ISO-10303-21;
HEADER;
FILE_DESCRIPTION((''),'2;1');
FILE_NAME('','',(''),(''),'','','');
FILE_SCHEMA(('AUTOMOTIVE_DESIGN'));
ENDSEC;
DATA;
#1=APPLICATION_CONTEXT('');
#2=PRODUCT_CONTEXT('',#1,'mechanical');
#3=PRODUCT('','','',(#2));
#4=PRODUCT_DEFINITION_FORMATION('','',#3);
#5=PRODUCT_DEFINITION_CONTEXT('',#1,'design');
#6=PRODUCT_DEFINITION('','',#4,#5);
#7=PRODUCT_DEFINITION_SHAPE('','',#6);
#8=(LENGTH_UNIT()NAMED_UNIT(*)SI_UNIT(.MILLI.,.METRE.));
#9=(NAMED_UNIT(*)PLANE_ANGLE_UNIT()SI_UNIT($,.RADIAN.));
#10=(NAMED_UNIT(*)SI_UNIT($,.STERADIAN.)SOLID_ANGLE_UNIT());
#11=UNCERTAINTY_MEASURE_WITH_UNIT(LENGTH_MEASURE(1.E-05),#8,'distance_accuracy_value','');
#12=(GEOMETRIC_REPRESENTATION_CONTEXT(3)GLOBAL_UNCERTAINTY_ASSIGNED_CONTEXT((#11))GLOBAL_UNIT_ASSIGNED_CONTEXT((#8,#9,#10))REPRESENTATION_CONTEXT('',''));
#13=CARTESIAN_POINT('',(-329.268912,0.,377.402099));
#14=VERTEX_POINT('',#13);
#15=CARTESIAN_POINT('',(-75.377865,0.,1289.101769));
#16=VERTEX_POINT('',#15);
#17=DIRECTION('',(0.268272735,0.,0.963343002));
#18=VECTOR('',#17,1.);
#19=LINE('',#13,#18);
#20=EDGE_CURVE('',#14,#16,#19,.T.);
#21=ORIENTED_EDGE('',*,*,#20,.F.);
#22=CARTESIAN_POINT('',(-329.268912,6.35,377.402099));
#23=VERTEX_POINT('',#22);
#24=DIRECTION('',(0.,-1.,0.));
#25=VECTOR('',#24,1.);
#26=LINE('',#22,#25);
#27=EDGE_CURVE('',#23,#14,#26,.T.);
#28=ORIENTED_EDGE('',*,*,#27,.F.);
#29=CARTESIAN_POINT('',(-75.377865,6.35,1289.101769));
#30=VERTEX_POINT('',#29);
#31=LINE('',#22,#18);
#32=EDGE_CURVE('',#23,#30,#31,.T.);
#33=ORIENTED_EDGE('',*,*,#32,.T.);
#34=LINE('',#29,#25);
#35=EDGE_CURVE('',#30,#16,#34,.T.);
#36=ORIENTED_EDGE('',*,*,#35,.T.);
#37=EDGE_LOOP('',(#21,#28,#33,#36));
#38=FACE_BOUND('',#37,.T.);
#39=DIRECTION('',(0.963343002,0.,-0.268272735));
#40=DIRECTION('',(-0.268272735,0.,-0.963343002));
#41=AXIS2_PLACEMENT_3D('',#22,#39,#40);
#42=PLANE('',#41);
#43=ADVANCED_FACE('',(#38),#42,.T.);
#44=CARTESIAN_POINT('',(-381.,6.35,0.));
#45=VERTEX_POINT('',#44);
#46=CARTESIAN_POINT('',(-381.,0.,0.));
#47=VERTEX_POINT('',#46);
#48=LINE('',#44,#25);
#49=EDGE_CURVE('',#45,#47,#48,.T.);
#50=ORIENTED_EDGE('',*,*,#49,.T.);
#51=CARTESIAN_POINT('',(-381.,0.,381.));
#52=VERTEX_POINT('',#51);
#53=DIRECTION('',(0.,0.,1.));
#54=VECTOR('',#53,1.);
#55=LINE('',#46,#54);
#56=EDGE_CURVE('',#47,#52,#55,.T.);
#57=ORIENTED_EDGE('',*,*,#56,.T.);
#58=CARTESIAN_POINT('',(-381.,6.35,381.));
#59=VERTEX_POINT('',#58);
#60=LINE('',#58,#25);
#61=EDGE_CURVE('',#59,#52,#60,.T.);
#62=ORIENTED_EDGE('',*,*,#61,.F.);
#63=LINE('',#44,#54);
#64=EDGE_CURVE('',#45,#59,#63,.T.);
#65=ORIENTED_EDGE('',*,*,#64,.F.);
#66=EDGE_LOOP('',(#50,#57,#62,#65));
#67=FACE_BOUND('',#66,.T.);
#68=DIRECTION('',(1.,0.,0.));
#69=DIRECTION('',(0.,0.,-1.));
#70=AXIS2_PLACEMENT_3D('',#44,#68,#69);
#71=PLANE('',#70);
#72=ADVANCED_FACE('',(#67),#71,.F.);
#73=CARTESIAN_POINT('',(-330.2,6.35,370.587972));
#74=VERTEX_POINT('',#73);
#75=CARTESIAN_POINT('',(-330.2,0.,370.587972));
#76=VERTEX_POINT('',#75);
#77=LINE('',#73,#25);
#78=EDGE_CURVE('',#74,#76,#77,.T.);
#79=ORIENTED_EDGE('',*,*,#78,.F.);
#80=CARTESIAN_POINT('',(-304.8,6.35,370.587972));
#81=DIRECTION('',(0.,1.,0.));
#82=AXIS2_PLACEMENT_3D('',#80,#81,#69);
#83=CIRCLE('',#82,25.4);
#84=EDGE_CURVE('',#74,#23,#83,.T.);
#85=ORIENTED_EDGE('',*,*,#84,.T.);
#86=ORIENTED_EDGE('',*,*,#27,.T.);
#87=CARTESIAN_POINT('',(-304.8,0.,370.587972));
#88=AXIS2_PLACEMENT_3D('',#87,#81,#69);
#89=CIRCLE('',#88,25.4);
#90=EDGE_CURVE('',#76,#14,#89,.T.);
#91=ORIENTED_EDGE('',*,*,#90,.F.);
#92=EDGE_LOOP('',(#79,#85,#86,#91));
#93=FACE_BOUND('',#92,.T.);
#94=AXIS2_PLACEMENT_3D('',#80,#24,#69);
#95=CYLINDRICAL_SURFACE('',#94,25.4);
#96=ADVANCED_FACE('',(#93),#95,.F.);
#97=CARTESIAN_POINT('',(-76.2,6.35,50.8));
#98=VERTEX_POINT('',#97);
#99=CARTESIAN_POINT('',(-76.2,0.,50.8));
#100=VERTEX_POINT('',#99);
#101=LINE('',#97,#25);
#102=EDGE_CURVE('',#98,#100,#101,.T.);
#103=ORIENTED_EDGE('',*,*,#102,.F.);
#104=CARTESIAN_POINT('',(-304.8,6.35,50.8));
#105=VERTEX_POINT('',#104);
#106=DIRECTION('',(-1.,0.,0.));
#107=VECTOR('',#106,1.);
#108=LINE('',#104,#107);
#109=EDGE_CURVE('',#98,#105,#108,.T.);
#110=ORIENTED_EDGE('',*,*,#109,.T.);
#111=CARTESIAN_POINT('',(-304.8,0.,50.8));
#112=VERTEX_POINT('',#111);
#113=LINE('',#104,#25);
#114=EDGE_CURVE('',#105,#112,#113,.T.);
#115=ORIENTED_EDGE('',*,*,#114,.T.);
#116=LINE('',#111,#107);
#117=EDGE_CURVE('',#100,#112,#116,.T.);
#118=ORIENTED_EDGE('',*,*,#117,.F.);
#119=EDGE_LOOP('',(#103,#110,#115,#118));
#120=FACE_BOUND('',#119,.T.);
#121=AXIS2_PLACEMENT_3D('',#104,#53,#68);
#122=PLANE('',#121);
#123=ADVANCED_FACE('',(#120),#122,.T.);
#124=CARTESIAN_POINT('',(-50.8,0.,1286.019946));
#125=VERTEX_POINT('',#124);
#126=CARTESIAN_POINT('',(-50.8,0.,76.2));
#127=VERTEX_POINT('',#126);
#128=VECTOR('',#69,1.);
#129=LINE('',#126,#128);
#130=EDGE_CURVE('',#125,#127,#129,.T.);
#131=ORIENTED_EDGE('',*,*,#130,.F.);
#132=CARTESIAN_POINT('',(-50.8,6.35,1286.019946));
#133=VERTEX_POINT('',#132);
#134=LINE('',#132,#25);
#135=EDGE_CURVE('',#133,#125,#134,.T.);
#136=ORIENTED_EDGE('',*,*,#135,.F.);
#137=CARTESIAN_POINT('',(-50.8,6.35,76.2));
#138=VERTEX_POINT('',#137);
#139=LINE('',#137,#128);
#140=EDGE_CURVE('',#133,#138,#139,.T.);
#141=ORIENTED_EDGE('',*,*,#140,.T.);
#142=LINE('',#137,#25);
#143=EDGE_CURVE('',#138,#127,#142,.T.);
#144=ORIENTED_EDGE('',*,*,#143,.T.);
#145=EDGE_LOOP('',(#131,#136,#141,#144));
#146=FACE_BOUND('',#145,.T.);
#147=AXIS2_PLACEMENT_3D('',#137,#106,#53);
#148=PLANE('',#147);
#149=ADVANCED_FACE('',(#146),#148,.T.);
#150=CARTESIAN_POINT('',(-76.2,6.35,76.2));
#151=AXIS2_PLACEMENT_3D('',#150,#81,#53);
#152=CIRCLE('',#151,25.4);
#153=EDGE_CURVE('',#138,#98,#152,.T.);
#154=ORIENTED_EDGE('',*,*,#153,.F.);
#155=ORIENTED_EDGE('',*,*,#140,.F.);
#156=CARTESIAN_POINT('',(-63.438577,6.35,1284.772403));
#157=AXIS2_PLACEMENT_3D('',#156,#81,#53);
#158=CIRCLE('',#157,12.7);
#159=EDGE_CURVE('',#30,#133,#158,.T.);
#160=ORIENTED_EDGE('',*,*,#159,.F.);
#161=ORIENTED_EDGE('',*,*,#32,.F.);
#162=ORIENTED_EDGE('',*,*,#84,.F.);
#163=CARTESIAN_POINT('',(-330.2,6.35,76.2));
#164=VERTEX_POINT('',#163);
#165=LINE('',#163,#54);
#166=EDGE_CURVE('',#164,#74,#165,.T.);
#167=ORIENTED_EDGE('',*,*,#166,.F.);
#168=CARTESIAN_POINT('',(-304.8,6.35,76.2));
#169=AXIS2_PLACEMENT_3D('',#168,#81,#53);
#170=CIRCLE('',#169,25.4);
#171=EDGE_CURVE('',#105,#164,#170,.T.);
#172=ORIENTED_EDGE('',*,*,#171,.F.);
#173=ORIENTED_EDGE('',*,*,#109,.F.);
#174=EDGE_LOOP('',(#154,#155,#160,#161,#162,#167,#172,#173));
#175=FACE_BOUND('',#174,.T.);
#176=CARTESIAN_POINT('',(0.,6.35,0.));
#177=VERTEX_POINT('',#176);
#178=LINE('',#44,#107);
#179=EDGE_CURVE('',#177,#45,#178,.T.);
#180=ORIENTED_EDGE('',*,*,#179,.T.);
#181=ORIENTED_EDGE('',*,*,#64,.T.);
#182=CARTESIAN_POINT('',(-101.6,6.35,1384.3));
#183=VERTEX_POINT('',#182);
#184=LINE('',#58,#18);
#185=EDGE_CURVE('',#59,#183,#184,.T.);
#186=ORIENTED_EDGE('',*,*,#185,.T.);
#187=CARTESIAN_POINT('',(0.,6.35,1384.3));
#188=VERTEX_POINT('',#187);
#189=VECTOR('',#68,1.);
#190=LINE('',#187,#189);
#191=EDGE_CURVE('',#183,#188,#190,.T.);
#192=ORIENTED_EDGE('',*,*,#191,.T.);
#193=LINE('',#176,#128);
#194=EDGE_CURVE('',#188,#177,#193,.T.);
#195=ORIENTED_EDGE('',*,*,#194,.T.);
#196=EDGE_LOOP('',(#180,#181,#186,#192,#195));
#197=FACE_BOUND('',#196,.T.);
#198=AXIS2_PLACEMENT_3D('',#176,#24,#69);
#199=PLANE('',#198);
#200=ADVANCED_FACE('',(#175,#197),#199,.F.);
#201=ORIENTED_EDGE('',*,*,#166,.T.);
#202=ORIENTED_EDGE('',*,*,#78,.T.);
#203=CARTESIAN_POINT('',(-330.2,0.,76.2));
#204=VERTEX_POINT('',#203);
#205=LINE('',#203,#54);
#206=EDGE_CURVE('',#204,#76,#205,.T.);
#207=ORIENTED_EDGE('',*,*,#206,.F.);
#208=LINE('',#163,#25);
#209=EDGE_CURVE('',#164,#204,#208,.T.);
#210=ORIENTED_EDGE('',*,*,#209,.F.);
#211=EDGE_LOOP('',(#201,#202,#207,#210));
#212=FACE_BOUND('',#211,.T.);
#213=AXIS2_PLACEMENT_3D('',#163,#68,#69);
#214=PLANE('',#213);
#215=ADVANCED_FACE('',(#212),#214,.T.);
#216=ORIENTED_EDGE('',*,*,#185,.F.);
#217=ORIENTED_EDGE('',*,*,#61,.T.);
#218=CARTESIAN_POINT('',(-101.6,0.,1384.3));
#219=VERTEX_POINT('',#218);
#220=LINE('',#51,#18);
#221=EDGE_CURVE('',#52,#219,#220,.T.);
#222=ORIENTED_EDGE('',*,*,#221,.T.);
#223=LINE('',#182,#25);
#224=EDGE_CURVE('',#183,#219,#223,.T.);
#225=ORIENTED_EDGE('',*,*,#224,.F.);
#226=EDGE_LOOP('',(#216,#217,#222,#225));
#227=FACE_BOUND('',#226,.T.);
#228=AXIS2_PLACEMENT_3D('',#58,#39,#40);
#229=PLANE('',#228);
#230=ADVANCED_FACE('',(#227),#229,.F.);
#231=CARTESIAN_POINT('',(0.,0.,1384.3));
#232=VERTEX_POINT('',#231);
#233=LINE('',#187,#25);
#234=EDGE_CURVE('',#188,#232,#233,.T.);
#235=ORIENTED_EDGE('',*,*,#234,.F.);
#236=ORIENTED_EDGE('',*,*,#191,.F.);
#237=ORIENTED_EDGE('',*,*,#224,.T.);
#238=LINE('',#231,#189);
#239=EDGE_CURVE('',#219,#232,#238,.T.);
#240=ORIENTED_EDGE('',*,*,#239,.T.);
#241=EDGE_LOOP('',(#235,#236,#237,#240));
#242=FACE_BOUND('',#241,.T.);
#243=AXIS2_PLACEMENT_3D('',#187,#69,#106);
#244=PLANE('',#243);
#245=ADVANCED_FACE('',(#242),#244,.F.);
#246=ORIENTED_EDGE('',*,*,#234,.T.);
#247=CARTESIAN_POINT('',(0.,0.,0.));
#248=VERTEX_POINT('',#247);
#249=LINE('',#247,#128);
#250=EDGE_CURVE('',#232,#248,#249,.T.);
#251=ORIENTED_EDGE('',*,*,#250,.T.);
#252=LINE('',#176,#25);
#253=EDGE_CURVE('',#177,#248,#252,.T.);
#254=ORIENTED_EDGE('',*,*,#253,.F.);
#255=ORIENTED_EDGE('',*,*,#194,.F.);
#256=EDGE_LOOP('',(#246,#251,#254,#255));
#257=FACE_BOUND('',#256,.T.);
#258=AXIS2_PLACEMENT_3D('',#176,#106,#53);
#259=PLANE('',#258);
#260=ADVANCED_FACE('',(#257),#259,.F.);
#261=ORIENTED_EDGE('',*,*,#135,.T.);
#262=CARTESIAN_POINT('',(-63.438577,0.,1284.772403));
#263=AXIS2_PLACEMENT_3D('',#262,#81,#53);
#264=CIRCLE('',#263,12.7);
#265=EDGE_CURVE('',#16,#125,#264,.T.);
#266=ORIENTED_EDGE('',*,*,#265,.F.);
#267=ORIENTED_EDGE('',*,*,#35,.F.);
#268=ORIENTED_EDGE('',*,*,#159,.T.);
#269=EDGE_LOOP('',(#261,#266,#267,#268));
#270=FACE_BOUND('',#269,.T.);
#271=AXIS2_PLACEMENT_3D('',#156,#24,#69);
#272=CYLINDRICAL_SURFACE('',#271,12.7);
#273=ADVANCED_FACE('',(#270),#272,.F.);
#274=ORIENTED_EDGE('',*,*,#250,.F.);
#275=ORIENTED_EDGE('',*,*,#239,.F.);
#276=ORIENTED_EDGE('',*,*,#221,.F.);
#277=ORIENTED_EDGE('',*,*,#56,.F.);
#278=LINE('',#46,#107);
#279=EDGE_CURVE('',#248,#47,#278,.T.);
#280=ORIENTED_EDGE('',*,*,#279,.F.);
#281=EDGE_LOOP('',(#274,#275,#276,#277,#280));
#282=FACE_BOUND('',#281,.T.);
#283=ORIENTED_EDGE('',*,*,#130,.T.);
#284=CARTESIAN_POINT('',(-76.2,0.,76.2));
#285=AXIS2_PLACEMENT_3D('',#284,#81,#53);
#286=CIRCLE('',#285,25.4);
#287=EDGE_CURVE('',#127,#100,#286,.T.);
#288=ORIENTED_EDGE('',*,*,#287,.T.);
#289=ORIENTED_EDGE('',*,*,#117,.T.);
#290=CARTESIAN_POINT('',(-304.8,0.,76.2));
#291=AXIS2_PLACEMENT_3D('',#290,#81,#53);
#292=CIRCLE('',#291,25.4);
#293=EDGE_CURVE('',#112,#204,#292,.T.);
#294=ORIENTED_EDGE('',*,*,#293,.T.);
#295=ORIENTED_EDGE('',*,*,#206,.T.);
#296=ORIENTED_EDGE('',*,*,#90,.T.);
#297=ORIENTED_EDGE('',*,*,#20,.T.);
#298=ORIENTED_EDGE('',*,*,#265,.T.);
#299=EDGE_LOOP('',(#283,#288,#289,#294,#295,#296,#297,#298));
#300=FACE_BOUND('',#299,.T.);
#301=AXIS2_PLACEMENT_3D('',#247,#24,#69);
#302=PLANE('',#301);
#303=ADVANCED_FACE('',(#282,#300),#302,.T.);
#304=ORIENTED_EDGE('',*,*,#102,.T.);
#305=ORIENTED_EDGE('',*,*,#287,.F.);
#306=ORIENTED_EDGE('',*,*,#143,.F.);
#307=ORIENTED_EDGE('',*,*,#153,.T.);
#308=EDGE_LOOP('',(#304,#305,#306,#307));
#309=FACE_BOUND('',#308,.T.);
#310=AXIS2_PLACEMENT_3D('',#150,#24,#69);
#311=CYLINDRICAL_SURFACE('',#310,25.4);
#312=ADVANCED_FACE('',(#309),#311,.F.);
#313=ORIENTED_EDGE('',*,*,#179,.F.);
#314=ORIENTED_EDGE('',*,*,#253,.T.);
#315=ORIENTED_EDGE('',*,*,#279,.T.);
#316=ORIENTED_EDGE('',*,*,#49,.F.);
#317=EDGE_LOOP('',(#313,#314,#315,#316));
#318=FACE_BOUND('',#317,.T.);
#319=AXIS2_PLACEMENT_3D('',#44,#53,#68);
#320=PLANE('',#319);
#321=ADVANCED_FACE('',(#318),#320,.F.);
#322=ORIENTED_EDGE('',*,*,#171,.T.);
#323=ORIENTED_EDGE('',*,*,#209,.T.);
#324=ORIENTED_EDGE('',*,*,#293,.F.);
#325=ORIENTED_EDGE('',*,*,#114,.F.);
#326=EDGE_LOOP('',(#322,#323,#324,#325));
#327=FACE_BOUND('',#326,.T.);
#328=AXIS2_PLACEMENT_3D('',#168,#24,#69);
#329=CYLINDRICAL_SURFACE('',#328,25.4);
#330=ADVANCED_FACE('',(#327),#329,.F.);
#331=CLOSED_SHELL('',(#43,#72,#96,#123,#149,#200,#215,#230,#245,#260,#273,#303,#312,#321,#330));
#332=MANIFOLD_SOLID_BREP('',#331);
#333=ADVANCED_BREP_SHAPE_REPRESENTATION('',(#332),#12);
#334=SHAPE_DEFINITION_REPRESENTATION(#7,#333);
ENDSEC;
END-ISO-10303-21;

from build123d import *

# Parameters (mm, degrees)
BOSS_EXTRUDE1_DEPTH = 6.35


with BuildPart() as part:
    # Sketch1 → Boss-Extrude1 (new body)
    with BuildSketch(Plane(origin=(0, 0, 0), x_dir=(1, 0, 0), z_dir=(0, 1, 0))):
        Polygon((0, 0), (0, -1384.3), (-101.6, -1384.3), (-381, -381), (-381, 0), align=None)
        with BuildLine():
            Line((-329.268912254, -377.402099424), (-75.377865092, -1289.10176878))
            ThreePointArc((-75.377865092, -1289.10176878), (-61.858495332, -1297.3737261), (-50.8, -1286.019946218))
            Line((-50.8, -1286.019946218), (-50.8, -76.2))
            ThreePointArc((-50.8, -76.2), (-58.239487758, -58.239487758), (-76.2, -50.8))
            Line((-76.2, -50.8), (-304.8, -50.8))
            ThreePointArc((-304.8, -50.8), (-322.760512242, -58.239487758), (-330.2, -76.2))
            Line((-330.2, -76.2), (-330.2, -370.58797196))
            ThreePointArc((-330.2, -370.58797196), (-329.966151586, -374.026694742), (-329.268912254, -377.402099424))
        make_face(mode=Mode.SUBTRACT)
    extrude(amount=BOSS_EXTRUDE1_DEPTH)


solid = part.part
